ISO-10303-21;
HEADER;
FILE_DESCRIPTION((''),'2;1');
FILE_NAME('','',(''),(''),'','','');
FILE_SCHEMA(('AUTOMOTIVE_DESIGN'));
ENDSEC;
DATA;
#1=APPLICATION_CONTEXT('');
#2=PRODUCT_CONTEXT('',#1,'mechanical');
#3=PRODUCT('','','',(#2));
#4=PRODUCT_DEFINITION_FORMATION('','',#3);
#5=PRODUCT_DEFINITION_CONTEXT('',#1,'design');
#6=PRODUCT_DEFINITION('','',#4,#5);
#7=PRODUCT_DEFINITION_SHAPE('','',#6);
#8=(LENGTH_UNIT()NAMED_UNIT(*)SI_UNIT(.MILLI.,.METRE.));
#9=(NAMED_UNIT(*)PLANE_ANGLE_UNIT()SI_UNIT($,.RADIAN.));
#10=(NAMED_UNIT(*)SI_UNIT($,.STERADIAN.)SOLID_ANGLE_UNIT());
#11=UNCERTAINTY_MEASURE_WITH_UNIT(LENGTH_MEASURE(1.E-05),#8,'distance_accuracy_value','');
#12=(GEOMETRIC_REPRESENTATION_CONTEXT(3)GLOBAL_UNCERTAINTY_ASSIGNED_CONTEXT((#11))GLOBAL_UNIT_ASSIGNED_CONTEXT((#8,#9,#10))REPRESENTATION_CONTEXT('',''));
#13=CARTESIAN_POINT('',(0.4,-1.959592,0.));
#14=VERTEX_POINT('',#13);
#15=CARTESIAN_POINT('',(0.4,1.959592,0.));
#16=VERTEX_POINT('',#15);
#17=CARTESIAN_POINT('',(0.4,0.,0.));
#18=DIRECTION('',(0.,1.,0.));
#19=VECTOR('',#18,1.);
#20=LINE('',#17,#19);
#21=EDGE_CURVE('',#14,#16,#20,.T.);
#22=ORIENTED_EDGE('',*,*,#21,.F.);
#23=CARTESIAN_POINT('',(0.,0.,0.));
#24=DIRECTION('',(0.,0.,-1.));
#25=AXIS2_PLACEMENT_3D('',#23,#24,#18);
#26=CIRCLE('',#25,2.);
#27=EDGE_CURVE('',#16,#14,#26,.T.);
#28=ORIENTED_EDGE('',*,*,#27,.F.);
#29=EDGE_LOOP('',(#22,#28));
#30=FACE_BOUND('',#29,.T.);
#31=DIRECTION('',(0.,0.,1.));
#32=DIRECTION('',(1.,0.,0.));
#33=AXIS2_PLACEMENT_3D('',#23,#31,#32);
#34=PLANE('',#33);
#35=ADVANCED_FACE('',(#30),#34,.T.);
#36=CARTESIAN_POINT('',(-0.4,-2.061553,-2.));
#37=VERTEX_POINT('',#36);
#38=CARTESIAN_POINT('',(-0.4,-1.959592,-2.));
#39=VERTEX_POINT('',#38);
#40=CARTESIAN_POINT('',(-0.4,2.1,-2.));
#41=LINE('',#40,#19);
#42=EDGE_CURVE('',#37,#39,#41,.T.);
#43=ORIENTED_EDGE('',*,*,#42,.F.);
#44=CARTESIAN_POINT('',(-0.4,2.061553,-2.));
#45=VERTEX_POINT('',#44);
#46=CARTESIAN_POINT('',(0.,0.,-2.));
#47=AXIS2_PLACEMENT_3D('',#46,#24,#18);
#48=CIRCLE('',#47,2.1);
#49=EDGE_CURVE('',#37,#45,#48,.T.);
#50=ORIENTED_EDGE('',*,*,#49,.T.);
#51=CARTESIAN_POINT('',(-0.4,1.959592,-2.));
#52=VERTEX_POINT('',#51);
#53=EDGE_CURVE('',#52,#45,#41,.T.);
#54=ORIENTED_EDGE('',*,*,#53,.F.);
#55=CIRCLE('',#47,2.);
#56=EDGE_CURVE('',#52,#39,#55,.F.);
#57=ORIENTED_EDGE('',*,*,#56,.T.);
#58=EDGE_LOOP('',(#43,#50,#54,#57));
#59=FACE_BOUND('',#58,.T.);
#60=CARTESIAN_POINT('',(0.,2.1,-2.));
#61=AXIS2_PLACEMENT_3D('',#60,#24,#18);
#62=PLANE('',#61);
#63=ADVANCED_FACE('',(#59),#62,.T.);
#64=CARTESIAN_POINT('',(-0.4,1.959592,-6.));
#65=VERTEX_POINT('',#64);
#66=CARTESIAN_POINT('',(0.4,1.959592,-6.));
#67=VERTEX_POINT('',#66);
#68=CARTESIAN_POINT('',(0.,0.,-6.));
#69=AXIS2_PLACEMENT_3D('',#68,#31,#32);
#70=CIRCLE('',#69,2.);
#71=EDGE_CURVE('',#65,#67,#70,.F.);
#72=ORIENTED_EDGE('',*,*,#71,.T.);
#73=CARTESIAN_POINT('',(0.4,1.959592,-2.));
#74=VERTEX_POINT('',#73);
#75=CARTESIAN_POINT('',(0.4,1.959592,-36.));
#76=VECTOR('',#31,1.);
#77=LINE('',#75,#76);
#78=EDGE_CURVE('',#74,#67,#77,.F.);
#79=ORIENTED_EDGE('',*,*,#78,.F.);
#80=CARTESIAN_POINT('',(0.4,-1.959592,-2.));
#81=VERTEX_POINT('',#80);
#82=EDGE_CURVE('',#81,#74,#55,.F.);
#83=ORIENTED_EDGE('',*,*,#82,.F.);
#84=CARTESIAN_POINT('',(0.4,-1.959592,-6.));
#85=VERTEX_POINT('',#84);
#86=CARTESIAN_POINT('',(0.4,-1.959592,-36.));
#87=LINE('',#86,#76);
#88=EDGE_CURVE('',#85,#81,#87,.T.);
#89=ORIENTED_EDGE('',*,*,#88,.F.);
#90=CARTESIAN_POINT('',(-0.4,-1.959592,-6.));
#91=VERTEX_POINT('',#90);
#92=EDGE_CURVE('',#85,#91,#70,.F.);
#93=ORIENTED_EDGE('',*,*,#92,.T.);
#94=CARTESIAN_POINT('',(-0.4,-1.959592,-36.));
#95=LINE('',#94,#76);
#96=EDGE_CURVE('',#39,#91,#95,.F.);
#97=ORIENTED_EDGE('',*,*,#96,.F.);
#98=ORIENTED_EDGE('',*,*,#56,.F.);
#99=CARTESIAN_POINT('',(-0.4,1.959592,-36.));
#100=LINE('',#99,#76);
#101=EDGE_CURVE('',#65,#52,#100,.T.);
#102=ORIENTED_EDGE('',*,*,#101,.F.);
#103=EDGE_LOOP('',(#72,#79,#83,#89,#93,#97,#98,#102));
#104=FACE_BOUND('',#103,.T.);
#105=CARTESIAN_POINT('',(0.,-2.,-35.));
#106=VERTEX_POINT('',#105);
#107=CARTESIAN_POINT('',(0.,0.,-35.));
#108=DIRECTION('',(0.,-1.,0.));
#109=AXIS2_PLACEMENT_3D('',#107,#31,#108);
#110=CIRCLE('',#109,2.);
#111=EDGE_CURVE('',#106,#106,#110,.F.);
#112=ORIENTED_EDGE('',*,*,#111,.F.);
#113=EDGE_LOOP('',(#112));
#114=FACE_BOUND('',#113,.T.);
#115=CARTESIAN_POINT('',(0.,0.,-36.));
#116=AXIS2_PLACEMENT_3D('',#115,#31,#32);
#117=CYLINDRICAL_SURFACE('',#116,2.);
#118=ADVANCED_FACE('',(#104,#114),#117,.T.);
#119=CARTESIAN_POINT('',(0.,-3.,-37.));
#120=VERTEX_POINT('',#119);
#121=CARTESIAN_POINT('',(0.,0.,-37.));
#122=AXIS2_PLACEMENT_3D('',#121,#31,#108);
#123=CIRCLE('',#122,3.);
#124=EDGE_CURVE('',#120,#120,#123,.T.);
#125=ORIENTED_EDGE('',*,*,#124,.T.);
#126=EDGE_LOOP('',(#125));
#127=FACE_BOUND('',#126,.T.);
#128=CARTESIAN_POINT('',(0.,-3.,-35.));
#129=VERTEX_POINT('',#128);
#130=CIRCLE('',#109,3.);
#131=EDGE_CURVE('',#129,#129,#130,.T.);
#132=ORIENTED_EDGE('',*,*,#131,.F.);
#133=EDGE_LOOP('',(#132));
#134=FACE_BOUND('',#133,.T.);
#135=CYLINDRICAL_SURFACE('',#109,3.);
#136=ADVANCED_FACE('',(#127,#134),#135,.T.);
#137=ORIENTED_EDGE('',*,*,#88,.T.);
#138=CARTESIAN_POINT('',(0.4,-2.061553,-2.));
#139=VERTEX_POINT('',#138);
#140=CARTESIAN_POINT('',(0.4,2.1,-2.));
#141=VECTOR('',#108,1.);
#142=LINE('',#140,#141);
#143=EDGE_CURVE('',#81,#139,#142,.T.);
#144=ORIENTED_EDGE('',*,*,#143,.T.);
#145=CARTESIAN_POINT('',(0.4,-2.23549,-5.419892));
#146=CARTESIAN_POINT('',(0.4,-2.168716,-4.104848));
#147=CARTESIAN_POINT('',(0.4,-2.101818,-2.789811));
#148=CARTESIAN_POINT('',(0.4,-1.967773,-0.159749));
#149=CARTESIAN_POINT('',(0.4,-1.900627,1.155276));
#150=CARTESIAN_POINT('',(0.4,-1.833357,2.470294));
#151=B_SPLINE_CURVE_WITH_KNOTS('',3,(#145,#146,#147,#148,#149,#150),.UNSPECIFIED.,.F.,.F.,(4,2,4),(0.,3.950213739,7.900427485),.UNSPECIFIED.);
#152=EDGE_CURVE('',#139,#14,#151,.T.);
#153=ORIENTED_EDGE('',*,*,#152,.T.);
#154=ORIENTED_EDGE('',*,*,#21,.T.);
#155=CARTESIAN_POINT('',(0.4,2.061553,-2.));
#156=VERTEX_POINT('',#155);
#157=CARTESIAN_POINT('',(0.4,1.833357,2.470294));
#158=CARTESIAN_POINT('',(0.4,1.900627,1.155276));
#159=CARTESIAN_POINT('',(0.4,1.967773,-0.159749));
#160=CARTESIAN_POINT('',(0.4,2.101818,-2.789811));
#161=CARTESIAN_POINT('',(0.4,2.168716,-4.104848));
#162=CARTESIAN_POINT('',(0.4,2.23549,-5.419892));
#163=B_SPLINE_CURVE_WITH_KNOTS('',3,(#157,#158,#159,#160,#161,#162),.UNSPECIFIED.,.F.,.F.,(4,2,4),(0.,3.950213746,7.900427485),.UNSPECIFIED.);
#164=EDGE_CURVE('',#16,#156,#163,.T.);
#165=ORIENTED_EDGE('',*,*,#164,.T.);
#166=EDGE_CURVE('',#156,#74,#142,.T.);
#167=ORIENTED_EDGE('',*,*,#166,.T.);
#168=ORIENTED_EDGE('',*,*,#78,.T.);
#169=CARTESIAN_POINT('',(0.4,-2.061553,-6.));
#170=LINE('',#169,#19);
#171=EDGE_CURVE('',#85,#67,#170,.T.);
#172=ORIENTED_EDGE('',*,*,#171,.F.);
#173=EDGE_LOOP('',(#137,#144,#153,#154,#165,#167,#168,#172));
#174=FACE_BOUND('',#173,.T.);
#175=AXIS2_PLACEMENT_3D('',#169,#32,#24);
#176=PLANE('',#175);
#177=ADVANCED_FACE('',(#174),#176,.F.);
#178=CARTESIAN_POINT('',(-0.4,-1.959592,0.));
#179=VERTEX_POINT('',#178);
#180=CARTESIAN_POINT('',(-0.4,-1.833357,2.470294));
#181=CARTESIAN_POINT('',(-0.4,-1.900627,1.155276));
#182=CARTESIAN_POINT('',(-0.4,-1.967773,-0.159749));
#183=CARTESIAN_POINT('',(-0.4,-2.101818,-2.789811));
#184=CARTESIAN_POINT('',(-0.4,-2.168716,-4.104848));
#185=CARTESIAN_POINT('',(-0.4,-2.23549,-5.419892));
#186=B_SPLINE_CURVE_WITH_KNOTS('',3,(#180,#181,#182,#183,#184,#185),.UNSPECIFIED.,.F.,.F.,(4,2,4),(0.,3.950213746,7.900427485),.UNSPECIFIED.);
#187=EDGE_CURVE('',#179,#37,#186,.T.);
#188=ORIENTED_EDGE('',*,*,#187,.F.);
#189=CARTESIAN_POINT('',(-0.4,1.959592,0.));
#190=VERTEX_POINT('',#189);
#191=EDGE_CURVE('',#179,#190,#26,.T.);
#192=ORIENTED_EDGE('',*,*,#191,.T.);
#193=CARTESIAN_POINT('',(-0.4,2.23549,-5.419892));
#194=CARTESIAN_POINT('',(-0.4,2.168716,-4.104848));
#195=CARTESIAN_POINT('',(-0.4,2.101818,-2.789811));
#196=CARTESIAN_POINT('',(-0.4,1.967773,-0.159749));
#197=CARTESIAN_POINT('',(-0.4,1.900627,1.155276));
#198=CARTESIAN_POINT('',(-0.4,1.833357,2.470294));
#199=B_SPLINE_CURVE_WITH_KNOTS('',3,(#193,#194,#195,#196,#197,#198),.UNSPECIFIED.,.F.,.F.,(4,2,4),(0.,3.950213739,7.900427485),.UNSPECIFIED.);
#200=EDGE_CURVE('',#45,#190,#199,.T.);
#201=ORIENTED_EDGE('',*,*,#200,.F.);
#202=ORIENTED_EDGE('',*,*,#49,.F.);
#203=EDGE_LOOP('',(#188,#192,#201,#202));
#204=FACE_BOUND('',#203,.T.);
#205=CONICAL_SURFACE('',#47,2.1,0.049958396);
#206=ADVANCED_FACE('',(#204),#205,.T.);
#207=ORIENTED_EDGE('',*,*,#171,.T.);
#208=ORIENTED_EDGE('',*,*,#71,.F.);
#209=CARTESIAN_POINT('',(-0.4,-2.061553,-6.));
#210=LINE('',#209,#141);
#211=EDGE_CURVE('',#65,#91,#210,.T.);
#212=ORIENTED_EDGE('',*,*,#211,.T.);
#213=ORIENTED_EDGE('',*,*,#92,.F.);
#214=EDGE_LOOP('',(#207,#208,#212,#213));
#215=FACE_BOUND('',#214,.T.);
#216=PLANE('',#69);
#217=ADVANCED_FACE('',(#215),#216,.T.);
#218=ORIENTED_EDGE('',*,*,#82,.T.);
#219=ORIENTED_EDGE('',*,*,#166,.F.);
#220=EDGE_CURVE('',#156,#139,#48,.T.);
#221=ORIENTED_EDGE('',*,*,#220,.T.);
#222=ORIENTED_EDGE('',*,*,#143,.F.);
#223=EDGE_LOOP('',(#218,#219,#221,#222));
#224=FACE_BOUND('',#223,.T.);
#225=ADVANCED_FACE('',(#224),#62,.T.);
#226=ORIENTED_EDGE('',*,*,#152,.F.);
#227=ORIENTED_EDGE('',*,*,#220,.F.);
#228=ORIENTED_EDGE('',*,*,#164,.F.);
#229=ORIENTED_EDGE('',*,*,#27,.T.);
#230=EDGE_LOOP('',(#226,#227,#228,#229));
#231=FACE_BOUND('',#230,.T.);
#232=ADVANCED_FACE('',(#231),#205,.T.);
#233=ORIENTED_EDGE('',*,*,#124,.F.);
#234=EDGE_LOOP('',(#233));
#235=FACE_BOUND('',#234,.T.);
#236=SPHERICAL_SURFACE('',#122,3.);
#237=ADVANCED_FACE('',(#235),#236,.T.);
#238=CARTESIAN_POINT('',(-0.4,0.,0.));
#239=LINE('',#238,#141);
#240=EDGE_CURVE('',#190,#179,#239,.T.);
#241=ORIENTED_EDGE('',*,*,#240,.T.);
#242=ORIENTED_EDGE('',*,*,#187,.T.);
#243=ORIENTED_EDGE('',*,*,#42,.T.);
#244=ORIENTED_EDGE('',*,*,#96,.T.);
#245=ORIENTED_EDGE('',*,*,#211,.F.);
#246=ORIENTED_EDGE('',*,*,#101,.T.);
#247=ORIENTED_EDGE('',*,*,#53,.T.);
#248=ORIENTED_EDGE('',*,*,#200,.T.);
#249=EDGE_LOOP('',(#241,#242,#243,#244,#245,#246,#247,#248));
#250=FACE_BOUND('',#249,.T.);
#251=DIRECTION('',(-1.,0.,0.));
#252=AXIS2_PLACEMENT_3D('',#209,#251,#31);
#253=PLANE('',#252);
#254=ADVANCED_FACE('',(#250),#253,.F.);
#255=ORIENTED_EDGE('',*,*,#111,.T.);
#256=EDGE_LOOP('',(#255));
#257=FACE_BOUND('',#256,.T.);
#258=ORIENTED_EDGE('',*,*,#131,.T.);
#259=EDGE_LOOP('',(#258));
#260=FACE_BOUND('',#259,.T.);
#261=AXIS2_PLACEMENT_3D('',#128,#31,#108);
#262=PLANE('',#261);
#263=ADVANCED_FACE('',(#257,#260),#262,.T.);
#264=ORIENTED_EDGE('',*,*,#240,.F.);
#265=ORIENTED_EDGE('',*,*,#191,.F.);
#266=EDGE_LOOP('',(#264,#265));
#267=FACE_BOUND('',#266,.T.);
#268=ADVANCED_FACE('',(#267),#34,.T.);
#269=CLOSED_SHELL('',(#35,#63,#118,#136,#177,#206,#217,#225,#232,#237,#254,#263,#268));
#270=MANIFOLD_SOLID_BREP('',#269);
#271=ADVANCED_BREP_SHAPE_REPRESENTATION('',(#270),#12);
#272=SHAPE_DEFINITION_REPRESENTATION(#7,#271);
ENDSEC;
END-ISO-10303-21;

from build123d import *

# Parameters (mm, degrees)
SKETCH_1_R          = 2
EXTRUDE_1_DEPTH     = 36
CUT_EXTRUDE_1_DEPTH = 6


with BuildPart() as part:
    # 草图1 → 凸台-拉伸1 (new body)
    with BuildSketch(Plane.XY):
        Circle(SKETCH_1_R)
    extrude(amount=-EXTRUDE_1_DEPTH)

    # 草图2 → 旋转1 (revolve)
    with BuildSketch(Plane(origin=(0, 0, 0), x_dir=(0, 0, -1), z_dir=(1, 0, 0))):
        with BuildLine():
            Line((35, 0), (40, 0))
            ThreePointArc((40, 0), (39.121320344, -2.121320344), (37, -3))
            Line((37, -3), (35, -3))
            Line((35, -3), (35, 0))
        make_face()
    revolve(axis=Axis((0, 0, -35), (0, 0, -1)))

    # 草图3 → 旋转2 (revolve)
    with BuildSketch(Plane(origin=(0, 0, 0), x_dir=(0, 0, -1), z_dir=(1, 0, 0))):
        Polygon((0, 2), (0, 0), (2, 0), (2, 2.1), align=None)
    revolve(axis=Axis((0, 0, -2), (0, 0, 1)))

    # 草图4 → 切除-拉伸1 (cut)
    with BuildSketch(Plane.XY):
        with BuildLine():
            Line((-0.4, -2.061552813), (-0.4, 2.061552813))
            ThreePointArc((-0.4, 2.061552813), (0, 2.1), (0.4, 2.061552813))
            Line((0.4, 2.061552813), (0.4, -2.061552813))
            ThreePointArc((0.4, -2.061552813), (0, -2.1), (-0.4, -2.061552813))
        make_face()
    extrude(amount=-CUT_EXTRUDE_1_DEPTH, mode=Mode.SUBTRACT)


solid = part.part
